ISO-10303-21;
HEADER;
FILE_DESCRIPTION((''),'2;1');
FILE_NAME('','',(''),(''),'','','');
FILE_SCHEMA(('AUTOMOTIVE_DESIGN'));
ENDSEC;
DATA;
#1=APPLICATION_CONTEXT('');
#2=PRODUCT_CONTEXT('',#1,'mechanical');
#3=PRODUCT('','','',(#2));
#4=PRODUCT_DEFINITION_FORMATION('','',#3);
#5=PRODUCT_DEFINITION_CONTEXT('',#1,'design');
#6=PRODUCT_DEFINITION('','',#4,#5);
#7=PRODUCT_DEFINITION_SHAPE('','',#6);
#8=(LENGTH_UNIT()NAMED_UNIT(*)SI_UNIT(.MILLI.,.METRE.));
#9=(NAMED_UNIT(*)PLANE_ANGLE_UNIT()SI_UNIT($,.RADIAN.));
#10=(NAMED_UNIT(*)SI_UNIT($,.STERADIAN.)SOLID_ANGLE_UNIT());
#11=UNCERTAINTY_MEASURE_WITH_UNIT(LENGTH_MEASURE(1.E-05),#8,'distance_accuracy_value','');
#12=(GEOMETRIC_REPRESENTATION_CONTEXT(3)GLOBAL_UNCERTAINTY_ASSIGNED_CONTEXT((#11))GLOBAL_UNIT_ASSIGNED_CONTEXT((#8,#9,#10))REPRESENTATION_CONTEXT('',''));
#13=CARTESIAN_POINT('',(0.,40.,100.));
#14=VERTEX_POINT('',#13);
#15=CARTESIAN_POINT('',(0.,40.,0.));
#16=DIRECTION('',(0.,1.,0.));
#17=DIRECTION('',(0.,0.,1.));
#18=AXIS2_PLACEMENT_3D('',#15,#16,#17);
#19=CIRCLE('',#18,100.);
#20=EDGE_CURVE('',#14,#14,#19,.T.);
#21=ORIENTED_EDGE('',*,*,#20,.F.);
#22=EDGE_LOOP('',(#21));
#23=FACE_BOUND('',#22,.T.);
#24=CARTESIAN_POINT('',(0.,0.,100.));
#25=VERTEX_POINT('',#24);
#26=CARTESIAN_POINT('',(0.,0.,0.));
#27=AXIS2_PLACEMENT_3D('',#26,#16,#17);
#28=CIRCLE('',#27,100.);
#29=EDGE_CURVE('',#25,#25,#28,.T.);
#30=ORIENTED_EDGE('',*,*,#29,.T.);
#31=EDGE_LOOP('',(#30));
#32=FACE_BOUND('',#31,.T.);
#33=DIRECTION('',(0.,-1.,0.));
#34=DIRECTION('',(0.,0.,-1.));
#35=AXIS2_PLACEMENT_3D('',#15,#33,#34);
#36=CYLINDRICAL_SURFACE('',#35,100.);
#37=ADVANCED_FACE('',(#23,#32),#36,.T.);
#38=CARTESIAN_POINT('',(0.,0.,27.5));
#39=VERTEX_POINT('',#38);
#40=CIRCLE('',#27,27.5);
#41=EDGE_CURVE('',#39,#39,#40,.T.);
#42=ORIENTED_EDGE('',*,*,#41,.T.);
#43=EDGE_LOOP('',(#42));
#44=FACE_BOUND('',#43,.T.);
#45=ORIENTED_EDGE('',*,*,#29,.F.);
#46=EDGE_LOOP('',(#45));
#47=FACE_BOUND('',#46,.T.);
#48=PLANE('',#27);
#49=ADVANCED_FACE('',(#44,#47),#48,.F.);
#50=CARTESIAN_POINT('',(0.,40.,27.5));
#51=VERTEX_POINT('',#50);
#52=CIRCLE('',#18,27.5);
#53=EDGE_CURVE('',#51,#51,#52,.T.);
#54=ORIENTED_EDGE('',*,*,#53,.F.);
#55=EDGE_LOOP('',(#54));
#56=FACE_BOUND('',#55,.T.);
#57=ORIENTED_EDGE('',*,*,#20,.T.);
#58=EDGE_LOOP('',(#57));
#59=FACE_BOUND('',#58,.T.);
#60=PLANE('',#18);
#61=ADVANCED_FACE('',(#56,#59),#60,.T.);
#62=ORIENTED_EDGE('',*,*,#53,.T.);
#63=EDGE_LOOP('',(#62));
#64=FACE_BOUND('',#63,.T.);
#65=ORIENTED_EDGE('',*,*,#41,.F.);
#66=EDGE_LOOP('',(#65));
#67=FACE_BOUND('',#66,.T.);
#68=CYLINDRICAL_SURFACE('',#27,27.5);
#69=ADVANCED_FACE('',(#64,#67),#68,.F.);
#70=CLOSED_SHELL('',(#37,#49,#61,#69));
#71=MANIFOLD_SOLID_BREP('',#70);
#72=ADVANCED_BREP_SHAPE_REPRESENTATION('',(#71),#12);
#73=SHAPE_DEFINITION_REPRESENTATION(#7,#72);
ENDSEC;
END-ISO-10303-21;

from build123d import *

# Parameters (mm, degrees)
SKETCH1_R           = 100
BOSS_EXTRUDE1_DEPTH = 40
SKETCH2_R           = 27.499999991
CUT_EXTRUDE1_DEPTH  = 147.969384567


with BuildPart() as part:
    # Sketch1 → Boss-Extrude1 (new body)
    with BuildSketch(Plane(origin=(0, 0, 0), x_dir=(1, 0, 0), z_dir=(0, 1, 0))):
        with Locations(Location((0, 0, 0), (0, 0, 270))):
            Circle(SKETCH1_R)
    extrude(amount=BOSS_EXTRUDE1_DEPTH)

    # Sketch2 → Cut-Extrude1 (cut, through all)
    with BuildSketch(Plane(origin=(0, 40, 0), x_dir=(1, 0, 0), z_dir=(0, 1, 0))):
        with Locations(Location((0, 0, 0), (0, 0, 270))):
            Circle(SKETCH2_R)
    extrude(amount=-CUT_EXTRUDE1_DEPTH, mode=Mode.SUBTRACT)


solid = part.part
